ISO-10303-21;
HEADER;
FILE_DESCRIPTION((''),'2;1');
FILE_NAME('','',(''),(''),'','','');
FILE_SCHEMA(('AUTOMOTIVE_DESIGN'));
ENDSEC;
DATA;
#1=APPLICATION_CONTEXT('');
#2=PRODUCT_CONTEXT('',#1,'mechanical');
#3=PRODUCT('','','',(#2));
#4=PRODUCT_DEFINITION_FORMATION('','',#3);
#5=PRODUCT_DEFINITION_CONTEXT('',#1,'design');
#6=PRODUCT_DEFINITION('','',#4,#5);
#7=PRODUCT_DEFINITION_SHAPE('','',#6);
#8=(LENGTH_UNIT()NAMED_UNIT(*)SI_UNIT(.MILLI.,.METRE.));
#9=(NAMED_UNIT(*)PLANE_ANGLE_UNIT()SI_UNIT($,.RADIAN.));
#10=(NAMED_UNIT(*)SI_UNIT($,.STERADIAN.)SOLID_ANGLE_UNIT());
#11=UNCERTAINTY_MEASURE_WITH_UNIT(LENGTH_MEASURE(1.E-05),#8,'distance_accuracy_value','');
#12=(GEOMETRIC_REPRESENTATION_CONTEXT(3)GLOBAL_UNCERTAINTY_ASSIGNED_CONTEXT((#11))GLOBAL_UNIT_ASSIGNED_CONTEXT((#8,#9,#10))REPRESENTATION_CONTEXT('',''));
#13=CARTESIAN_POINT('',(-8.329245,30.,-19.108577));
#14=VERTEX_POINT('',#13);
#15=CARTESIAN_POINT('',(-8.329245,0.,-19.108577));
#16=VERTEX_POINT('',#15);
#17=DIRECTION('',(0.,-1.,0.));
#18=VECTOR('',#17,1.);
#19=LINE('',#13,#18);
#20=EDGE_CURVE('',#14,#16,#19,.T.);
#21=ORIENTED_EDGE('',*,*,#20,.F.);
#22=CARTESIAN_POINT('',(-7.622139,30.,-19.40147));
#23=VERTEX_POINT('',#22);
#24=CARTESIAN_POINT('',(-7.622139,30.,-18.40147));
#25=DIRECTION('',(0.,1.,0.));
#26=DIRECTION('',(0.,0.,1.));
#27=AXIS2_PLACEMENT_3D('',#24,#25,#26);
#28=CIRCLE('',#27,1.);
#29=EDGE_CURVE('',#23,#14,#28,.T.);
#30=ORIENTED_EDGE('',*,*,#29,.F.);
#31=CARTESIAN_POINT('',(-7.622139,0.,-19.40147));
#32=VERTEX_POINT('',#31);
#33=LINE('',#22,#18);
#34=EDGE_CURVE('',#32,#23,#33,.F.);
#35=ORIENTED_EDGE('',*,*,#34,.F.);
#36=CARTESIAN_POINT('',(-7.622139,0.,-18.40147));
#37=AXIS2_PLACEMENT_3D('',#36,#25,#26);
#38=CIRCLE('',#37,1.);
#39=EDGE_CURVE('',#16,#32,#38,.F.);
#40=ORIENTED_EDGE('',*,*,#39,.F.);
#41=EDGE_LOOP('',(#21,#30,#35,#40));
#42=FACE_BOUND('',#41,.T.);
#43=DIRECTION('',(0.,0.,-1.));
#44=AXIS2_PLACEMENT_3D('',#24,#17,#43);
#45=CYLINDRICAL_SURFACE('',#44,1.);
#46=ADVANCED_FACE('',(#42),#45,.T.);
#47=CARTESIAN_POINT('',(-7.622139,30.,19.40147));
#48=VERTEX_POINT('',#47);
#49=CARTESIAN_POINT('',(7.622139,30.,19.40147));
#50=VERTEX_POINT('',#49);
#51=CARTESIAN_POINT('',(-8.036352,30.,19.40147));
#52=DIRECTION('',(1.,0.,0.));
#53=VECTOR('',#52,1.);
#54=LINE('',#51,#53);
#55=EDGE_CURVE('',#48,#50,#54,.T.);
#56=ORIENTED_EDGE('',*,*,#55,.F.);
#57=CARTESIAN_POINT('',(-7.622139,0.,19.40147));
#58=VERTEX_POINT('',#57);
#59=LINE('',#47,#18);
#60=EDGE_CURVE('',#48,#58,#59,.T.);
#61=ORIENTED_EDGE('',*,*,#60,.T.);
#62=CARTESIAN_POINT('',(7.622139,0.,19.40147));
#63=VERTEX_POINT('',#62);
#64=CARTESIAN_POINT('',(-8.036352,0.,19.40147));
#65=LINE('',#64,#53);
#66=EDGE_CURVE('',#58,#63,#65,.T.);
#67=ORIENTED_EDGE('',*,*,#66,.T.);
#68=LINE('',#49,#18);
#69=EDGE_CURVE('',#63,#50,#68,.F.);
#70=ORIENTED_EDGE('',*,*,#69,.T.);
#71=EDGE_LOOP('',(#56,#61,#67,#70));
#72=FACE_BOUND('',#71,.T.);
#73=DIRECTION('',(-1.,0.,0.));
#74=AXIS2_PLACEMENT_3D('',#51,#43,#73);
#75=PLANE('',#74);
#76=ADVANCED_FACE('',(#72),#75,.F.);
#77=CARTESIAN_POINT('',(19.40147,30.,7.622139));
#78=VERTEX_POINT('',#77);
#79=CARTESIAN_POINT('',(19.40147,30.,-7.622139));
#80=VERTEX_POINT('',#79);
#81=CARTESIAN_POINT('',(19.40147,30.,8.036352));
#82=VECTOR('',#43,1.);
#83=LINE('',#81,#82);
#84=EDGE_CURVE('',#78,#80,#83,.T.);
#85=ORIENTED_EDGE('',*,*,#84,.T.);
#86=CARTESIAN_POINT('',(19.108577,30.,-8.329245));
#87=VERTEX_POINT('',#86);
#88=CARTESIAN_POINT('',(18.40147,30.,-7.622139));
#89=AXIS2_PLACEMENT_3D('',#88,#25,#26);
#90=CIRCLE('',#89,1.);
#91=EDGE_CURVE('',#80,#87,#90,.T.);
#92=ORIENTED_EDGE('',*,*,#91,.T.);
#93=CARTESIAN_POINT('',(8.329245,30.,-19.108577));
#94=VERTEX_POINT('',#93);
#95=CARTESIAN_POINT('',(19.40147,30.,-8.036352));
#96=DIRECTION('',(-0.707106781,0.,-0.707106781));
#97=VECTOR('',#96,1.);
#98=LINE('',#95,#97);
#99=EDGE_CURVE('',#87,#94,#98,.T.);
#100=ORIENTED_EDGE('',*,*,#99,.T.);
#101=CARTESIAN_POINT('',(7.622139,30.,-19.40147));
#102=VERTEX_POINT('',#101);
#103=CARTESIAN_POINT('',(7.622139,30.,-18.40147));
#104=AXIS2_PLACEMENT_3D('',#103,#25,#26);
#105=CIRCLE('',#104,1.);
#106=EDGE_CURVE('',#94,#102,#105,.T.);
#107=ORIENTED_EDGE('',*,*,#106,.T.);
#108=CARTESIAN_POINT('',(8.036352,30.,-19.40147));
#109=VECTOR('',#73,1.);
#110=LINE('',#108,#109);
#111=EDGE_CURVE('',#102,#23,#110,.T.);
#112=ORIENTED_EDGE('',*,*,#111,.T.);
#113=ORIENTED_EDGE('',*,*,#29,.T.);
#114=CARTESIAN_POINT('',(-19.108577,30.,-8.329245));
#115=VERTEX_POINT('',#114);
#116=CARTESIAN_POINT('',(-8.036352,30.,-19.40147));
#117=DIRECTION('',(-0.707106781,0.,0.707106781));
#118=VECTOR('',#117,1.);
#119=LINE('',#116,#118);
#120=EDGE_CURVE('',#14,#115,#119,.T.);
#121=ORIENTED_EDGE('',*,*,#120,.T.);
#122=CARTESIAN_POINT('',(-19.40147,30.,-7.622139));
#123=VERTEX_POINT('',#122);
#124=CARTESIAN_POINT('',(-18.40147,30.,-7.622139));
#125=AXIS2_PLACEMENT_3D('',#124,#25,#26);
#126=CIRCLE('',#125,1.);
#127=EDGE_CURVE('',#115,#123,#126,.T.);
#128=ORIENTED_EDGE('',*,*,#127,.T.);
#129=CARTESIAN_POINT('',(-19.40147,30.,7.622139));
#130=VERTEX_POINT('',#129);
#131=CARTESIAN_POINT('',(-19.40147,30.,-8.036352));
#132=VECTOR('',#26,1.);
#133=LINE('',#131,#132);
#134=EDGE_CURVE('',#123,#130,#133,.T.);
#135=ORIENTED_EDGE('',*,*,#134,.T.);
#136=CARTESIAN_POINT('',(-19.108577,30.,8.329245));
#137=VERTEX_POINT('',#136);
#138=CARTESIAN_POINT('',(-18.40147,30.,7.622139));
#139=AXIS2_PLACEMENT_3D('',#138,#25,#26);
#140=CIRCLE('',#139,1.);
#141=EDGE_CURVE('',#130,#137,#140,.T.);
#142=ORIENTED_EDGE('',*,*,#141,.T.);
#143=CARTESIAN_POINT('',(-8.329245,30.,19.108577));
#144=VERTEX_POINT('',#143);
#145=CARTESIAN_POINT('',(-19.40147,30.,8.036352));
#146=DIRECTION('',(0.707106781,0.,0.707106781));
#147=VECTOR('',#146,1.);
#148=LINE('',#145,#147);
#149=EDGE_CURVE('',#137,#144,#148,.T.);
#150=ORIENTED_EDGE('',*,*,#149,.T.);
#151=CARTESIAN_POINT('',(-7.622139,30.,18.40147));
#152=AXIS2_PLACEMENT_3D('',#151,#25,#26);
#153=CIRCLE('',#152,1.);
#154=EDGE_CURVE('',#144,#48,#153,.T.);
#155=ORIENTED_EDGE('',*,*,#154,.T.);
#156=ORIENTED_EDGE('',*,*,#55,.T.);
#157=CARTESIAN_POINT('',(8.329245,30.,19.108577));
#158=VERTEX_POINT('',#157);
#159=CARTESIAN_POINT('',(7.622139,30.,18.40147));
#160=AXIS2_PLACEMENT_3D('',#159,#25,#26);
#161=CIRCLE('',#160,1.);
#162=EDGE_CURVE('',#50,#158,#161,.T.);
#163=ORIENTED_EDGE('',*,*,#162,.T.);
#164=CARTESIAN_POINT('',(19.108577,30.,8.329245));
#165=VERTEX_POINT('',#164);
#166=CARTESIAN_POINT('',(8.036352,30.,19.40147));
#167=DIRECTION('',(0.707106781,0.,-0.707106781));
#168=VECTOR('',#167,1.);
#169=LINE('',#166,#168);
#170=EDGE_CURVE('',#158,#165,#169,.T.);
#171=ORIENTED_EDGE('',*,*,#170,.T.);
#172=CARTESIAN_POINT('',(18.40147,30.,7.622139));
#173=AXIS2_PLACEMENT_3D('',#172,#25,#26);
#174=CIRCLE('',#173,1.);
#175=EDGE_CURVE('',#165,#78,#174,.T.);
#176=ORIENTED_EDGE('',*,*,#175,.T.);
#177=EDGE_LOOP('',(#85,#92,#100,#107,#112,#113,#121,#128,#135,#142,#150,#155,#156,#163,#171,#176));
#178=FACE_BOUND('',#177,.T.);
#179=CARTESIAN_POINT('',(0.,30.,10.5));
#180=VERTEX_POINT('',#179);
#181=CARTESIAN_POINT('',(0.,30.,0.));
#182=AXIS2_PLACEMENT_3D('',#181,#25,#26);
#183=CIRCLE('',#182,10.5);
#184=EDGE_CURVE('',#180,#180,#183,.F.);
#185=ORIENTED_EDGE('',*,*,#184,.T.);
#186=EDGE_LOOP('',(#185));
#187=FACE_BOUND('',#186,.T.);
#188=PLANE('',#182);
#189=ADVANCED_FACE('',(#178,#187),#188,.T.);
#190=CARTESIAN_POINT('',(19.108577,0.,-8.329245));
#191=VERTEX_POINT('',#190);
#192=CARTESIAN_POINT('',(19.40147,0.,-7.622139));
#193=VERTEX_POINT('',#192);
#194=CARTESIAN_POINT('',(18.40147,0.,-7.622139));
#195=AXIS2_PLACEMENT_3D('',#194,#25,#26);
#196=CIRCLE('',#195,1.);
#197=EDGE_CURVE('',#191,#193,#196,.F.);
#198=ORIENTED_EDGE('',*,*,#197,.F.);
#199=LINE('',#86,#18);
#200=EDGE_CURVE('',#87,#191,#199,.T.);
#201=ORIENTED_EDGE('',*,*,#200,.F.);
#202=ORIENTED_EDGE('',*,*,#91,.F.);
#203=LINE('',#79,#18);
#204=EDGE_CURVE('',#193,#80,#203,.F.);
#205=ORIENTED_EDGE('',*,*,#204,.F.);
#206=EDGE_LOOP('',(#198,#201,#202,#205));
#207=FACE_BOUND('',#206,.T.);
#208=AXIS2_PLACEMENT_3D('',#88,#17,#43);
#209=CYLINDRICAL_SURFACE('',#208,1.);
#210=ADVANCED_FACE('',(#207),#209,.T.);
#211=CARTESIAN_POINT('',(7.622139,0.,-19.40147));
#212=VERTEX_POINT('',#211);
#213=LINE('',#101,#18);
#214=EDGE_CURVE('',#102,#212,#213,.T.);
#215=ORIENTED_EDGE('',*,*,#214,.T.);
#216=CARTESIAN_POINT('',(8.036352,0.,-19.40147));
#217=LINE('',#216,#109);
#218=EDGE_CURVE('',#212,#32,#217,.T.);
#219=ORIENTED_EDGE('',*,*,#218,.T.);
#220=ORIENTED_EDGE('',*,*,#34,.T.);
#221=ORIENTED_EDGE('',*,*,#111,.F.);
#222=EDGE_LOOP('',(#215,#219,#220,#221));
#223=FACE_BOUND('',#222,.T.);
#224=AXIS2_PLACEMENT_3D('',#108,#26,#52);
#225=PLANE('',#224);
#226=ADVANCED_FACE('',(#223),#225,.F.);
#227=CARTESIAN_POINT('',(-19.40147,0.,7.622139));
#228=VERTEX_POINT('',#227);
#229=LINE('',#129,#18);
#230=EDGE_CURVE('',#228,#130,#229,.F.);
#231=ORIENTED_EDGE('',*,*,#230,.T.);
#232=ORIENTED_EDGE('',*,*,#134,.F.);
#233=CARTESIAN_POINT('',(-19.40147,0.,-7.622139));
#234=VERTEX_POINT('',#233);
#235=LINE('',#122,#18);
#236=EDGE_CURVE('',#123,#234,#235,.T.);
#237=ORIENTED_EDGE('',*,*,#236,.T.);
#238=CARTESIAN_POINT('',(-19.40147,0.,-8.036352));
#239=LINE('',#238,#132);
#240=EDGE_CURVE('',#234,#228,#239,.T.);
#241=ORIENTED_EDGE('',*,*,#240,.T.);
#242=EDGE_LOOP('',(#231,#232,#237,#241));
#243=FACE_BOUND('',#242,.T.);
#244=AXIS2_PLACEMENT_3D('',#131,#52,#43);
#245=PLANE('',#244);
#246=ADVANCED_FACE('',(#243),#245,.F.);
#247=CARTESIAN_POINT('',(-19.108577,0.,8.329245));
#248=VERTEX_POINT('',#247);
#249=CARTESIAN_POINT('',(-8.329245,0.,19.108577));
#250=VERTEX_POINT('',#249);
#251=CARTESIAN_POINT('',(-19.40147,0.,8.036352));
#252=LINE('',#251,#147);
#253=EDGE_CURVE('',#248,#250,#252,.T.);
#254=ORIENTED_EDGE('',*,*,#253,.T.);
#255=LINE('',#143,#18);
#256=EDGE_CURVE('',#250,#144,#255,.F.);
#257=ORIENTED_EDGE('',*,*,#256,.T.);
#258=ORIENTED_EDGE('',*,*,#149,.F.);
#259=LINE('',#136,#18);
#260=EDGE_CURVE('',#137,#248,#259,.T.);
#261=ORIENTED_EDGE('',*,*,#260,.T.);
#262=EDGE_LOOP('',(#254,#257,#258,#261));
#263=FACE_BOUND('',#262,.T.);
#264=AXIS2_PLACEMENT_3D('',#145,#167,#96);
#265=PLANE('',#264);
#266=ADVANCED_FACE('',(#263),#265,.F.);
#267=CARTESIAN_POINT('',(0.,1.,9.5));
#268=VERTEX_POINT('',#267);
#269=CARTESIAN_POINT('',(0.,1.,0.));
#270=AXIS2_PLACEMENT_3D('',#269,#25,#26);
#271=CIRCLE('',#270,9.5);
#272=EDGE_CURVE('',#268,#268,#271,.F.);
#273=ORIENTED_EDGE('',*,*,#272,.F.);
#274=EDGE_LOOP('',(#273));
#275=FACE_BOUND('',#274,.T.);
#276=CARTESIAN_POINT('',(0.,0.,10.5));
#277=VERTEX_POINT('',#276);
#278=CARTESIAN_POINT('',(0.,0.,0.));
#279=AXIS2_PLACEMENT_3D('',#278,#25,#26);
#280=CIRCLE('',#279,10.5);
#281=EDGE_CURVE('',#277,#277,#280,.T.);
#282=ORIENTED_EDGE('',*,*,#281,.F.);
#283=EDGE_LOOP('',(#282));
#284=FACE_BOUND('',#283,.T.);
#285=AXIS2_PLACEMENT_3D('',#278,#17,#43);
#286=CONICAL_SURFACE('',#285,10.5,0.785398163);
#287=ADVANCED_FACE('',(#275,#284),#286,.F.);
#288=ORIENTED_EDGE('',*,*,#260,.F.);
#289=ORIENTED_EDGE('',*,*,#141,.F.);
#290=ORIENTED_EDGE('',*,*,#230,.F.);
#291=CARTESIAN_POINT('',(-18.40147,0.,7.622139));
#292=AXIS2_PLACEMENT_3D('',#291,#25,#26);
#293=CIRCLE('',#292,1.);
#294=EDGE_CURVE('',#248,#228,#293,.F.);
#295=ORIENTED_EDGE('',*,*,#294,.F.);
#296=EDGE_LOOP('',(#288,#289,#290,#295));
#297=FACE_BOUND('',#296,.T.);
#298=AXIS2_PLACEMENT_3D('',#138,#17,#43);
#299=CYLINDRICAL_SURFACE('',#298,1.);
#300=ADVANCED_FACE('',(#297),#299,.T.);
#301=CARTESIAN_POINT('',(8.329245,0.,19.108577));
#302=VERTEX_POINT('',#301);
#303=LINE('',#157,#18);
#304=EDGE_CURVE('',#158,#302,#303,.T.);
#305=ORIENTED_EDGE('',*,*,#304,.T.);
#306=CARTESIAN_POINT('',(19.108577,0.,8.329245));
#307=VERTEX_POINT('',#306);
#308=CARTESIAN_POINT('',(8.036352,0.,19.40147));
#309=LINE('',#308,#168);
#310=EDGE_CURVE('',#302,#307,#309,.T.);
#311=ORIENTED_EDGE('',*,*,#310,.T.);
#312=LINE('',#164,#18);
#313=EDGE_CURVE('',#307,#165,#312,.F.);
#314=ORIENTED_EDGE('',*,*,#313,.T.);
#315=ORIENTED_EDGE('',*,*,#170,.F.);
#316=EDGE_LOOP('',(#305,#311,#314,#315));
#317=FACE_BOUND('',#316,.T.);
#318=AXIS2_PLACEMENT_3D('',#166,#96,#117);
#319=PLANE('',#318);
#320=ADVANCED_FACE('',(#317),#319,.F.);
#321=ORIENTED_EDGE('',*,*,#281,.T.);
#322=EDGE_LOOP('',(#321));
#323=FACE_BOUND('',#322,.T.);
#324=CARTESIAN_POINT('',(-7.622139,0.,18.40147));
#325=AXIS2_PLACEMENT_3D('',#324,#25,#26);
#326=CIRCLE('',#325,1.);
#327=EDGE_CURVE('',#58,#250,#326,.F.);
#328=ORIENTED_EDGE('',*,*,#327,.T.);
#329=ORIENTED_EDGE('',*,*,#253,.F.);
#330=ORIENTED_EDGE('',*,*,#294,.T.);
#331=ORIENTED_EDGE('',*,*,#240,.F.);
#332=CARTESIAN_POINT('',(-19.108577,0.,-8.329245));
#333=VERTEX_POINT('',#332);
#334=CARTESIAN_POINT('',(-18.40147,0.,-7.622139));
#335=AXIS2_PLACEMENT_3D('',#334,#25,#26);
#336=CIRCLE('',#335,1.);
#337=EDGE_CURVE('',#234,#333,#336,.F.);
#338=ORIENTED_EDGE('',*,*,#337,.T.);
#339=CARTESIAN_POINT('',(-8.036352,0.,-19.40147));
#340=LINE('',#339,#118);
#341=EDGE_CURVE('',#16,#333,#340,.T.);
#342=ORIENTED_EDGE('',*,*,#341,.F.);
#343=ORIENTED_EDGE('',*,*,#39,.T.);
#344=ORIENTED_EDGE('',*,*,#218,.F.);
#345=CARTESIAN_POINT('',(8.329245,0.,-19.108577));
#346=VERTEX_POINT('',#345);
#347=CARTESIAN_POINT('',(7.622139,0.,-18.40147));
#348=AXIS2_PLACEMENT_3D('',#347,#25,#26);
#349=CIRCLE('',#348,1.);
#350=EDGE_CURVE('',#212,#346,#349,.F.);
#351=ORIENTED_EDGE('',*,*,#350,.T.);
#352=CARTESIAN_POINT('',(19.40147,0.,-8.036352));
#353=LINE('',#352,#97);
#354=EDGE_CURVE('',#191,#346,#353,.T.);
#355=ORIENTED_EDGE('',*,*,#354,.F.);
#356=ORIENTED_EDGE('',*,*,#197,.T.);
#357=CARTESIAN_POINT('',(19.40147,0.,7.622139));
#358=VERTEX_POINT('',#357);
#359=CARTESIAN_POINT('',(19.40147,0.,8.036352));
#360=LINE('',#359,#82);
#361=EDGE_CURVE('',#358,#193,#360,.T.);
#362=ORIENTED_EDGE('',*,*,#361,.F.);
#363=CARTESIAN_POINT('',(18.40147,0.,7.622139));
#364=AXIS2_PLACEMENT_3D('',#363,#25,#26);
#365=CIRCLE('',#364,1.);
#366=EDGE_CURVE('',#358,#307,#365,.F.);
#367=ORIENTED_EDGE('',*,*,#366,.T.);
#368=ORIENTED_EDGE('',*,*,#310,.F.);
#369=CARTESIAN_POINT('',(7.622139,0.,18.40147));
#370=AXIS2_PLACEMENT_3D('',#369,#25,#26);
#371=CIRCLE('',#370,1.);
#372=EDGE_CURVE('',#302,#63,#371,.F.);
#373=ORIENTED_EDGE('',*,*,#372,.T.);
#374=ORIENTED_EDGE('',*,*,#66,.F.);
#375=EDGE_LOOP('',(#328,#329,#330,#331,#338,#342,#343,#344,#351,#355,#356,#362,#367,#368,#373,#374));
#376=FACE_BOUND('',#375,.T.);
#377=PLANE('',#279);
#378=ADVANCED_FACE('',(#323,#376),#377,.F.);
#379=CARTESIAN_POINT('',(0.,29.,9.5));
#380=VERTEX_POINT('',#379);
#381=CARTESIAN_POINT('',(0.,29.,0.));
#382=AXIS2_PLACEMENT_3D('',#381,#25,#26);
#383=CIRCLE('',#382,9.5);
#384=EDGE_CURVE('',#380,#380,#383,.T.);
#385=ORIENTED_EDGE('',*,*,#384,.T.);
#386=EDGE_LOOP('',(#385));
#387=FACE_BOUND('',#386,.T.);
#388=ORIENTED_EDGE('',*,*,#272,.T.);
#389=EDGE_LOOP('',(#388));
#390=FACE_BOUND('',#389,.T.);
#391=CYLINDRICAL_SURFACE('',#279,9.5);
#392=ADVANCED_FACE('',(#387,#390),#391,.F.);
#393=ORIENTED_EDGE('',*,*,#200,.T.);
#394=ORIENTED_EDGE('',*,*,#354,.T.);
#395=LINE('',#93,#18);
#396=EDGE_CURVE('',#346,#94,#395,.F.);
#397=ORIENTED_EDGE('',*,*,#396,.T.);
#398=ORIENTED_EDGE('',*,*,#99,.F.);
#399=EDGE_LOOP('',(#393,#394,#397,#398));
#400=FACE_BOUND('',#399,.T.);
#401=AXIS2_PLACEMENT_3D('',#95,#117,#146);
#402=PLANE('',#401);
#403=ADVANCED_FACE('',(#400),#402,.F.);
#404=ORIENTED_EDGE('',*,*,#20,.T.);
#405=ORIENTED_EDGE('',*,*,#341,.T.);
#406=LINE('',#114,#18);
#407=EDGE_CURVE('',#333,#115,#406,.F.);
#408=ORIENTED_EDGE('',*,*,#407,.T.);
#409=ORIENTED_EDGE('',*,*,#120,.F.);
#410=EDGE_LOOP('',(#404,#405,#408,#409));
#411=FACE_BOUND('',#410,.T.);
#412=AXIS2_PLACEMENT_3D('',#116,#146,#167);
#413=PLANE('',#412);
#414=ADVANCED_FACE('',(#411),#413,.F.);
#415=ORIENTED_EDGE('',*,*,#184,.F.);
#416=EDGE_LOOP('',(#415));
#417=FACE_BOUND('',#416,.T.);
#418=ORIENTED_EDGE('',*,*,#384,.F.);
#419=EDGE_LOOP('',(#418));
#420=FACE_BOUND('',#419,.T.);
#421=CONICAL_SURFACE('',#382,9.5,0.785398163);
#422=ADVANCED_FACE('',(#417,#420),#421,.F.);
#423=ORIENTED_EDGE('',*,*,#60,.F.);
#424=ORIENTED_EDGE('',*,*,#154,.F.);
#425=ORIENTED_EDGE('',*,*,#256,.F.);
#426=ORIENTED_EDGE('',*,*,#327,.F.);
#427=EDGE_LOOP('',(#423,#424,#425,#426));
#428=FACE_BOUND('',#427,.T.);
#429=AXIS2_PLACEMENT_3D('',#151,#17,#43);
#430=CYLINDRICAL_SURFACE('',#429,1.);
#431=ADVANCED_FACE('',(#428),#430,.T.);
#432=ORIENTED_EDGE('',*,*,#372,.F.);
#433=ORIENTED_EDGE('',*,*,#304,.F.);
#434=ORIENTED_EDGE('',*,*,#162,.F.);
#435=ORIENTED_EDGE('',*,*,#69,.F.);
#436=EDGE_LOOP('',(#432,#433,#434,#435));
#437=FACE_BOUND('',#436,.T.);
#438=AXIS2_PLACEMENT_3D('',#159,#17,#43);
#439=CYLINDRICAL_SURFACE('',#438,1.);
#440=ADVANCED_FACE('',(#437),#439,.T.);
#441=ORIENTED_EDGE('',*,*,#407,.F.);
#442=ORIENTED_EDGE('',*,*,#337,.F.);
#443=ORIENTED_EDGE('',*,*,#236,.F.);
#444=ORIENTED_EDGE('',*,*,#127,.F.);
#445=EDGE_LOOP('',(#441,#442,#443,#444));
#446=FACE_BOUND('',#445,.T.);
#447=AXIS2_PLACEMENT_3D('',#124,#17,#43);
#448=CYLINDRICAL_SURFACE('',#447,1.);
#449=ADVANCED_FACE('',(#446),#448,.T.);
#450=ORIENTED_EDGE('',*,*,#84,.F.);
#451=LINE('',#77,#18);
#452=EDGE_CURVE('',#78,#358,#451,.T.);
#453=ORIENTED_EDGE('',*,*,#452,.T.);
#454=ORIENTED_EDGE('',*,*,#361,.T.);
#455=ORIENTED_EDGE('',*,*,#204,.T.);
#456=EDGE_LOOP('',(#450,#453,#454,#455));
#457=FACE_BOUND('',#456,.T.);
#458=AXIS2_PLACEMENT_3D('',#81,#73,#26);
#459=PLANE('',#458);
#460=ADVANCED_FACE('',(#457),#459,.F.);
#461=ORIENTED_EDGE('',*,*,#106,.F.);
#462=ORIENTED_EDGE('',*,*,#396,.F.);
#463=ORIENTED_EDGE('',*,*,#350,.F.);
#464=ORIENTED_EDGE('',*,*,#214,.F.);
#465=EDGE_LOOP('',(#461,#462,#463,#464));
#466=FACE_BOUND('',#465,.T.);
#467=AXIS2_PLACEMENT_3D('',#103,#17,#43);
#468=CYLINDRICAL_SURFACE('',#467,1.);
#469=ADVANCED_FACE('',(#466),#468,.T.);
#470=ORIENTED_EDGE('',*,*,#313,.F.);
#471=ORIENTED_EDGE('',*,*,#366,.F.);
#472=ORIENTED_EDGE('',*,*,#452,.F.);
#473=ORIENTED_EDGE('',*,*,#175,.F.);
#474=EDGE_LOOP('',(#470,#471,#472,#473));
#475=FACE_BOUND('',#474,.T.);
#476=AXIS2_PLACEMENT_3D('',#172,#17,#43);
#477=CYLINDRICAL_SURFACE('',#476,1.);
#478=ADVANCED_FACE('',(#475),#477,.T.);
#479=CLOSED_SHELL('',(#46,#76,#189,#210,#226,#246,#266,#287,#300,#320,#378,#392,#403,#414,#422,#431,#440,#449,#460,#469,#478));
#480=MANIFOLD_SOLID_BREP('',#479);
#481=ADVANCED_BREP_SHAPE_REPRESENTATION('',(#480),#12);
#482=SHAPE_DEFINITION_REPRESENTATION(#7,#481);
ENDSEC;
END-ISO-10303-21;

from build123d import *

# Parameters (mm, degrees)
BOSS_EXTRUDE1_DEPTH = 30
SKETCH3_R           = 9.5
CUT_EXTRUDE1_DEPTH  = 41.655062299
CHAMFER1_SIZE       = 1
FILLET1_R           = 1


with BuildPart() as part:
    # Sketch2 → Boss-Extrude1 (new body)
    with BuildSketch(Plane(origin=(0, 0, 0), x_dir=(1, 0, 0), z_dir=(0, 1, 0))):
        Polygon((19.401470183, -8.03635208), (19.401470183, 8.03635208), (8.03635208, 19.401470183), (-8.03635208, 19.401470183), (-19.401470183, 8.03635208), (-19.401470183, -8.03635208), (-8.03635208, -19.401470183), (8.03635208, -19.401470183), align=None)
    extrude(amount=BOSS_EXTRUDE1_DEPTH)

    # Sketch3 → Cut-Extrude1 (cut, through all)
    with BuildSketch(Plane(origin=(0, 30, 0), x_dir=(1, 0, 0), z_dir=(0, 1, 0))):
        with Locations(Location((0, 0, 0), (0, 0, 270))):
            Circle(SKETCH3_R)
    extrude(amount=-CUT_EXTRUDE1_DEPTH, mode=Mode.SUBTRACT)

    # Chamfer1
    chamfer1_edges = [part.edges().sort_by_distance(p)[0] for p in [
        (0, 0, -9.5),
        (0, 30, -9.5),
    ]]
    chamfer(chamfer1_edges, length=CHAMFER1_SIZE)

    # Fillet1
    fillet1_edges = [part.edges().sort_by_distance(p)[0] for p in [
        (19.401470183, 15, -8.03635208),
        (19.401470183, 15, 8.03635208),
        (8.03635208, 15, 19.401470183),
        (-8.03635208, 15, 19.401470183),
        (-19.401470183, 15, 8.03635208),
        (-19.401470183, 15, -8.03635208),
        (-8.03635208, 15, -19.401470183),
        (8.03635208, 15, -19.401470183),
    ]]
    fillet(fillet1_edges, radius=FILLET1_R)


solid = part.part
